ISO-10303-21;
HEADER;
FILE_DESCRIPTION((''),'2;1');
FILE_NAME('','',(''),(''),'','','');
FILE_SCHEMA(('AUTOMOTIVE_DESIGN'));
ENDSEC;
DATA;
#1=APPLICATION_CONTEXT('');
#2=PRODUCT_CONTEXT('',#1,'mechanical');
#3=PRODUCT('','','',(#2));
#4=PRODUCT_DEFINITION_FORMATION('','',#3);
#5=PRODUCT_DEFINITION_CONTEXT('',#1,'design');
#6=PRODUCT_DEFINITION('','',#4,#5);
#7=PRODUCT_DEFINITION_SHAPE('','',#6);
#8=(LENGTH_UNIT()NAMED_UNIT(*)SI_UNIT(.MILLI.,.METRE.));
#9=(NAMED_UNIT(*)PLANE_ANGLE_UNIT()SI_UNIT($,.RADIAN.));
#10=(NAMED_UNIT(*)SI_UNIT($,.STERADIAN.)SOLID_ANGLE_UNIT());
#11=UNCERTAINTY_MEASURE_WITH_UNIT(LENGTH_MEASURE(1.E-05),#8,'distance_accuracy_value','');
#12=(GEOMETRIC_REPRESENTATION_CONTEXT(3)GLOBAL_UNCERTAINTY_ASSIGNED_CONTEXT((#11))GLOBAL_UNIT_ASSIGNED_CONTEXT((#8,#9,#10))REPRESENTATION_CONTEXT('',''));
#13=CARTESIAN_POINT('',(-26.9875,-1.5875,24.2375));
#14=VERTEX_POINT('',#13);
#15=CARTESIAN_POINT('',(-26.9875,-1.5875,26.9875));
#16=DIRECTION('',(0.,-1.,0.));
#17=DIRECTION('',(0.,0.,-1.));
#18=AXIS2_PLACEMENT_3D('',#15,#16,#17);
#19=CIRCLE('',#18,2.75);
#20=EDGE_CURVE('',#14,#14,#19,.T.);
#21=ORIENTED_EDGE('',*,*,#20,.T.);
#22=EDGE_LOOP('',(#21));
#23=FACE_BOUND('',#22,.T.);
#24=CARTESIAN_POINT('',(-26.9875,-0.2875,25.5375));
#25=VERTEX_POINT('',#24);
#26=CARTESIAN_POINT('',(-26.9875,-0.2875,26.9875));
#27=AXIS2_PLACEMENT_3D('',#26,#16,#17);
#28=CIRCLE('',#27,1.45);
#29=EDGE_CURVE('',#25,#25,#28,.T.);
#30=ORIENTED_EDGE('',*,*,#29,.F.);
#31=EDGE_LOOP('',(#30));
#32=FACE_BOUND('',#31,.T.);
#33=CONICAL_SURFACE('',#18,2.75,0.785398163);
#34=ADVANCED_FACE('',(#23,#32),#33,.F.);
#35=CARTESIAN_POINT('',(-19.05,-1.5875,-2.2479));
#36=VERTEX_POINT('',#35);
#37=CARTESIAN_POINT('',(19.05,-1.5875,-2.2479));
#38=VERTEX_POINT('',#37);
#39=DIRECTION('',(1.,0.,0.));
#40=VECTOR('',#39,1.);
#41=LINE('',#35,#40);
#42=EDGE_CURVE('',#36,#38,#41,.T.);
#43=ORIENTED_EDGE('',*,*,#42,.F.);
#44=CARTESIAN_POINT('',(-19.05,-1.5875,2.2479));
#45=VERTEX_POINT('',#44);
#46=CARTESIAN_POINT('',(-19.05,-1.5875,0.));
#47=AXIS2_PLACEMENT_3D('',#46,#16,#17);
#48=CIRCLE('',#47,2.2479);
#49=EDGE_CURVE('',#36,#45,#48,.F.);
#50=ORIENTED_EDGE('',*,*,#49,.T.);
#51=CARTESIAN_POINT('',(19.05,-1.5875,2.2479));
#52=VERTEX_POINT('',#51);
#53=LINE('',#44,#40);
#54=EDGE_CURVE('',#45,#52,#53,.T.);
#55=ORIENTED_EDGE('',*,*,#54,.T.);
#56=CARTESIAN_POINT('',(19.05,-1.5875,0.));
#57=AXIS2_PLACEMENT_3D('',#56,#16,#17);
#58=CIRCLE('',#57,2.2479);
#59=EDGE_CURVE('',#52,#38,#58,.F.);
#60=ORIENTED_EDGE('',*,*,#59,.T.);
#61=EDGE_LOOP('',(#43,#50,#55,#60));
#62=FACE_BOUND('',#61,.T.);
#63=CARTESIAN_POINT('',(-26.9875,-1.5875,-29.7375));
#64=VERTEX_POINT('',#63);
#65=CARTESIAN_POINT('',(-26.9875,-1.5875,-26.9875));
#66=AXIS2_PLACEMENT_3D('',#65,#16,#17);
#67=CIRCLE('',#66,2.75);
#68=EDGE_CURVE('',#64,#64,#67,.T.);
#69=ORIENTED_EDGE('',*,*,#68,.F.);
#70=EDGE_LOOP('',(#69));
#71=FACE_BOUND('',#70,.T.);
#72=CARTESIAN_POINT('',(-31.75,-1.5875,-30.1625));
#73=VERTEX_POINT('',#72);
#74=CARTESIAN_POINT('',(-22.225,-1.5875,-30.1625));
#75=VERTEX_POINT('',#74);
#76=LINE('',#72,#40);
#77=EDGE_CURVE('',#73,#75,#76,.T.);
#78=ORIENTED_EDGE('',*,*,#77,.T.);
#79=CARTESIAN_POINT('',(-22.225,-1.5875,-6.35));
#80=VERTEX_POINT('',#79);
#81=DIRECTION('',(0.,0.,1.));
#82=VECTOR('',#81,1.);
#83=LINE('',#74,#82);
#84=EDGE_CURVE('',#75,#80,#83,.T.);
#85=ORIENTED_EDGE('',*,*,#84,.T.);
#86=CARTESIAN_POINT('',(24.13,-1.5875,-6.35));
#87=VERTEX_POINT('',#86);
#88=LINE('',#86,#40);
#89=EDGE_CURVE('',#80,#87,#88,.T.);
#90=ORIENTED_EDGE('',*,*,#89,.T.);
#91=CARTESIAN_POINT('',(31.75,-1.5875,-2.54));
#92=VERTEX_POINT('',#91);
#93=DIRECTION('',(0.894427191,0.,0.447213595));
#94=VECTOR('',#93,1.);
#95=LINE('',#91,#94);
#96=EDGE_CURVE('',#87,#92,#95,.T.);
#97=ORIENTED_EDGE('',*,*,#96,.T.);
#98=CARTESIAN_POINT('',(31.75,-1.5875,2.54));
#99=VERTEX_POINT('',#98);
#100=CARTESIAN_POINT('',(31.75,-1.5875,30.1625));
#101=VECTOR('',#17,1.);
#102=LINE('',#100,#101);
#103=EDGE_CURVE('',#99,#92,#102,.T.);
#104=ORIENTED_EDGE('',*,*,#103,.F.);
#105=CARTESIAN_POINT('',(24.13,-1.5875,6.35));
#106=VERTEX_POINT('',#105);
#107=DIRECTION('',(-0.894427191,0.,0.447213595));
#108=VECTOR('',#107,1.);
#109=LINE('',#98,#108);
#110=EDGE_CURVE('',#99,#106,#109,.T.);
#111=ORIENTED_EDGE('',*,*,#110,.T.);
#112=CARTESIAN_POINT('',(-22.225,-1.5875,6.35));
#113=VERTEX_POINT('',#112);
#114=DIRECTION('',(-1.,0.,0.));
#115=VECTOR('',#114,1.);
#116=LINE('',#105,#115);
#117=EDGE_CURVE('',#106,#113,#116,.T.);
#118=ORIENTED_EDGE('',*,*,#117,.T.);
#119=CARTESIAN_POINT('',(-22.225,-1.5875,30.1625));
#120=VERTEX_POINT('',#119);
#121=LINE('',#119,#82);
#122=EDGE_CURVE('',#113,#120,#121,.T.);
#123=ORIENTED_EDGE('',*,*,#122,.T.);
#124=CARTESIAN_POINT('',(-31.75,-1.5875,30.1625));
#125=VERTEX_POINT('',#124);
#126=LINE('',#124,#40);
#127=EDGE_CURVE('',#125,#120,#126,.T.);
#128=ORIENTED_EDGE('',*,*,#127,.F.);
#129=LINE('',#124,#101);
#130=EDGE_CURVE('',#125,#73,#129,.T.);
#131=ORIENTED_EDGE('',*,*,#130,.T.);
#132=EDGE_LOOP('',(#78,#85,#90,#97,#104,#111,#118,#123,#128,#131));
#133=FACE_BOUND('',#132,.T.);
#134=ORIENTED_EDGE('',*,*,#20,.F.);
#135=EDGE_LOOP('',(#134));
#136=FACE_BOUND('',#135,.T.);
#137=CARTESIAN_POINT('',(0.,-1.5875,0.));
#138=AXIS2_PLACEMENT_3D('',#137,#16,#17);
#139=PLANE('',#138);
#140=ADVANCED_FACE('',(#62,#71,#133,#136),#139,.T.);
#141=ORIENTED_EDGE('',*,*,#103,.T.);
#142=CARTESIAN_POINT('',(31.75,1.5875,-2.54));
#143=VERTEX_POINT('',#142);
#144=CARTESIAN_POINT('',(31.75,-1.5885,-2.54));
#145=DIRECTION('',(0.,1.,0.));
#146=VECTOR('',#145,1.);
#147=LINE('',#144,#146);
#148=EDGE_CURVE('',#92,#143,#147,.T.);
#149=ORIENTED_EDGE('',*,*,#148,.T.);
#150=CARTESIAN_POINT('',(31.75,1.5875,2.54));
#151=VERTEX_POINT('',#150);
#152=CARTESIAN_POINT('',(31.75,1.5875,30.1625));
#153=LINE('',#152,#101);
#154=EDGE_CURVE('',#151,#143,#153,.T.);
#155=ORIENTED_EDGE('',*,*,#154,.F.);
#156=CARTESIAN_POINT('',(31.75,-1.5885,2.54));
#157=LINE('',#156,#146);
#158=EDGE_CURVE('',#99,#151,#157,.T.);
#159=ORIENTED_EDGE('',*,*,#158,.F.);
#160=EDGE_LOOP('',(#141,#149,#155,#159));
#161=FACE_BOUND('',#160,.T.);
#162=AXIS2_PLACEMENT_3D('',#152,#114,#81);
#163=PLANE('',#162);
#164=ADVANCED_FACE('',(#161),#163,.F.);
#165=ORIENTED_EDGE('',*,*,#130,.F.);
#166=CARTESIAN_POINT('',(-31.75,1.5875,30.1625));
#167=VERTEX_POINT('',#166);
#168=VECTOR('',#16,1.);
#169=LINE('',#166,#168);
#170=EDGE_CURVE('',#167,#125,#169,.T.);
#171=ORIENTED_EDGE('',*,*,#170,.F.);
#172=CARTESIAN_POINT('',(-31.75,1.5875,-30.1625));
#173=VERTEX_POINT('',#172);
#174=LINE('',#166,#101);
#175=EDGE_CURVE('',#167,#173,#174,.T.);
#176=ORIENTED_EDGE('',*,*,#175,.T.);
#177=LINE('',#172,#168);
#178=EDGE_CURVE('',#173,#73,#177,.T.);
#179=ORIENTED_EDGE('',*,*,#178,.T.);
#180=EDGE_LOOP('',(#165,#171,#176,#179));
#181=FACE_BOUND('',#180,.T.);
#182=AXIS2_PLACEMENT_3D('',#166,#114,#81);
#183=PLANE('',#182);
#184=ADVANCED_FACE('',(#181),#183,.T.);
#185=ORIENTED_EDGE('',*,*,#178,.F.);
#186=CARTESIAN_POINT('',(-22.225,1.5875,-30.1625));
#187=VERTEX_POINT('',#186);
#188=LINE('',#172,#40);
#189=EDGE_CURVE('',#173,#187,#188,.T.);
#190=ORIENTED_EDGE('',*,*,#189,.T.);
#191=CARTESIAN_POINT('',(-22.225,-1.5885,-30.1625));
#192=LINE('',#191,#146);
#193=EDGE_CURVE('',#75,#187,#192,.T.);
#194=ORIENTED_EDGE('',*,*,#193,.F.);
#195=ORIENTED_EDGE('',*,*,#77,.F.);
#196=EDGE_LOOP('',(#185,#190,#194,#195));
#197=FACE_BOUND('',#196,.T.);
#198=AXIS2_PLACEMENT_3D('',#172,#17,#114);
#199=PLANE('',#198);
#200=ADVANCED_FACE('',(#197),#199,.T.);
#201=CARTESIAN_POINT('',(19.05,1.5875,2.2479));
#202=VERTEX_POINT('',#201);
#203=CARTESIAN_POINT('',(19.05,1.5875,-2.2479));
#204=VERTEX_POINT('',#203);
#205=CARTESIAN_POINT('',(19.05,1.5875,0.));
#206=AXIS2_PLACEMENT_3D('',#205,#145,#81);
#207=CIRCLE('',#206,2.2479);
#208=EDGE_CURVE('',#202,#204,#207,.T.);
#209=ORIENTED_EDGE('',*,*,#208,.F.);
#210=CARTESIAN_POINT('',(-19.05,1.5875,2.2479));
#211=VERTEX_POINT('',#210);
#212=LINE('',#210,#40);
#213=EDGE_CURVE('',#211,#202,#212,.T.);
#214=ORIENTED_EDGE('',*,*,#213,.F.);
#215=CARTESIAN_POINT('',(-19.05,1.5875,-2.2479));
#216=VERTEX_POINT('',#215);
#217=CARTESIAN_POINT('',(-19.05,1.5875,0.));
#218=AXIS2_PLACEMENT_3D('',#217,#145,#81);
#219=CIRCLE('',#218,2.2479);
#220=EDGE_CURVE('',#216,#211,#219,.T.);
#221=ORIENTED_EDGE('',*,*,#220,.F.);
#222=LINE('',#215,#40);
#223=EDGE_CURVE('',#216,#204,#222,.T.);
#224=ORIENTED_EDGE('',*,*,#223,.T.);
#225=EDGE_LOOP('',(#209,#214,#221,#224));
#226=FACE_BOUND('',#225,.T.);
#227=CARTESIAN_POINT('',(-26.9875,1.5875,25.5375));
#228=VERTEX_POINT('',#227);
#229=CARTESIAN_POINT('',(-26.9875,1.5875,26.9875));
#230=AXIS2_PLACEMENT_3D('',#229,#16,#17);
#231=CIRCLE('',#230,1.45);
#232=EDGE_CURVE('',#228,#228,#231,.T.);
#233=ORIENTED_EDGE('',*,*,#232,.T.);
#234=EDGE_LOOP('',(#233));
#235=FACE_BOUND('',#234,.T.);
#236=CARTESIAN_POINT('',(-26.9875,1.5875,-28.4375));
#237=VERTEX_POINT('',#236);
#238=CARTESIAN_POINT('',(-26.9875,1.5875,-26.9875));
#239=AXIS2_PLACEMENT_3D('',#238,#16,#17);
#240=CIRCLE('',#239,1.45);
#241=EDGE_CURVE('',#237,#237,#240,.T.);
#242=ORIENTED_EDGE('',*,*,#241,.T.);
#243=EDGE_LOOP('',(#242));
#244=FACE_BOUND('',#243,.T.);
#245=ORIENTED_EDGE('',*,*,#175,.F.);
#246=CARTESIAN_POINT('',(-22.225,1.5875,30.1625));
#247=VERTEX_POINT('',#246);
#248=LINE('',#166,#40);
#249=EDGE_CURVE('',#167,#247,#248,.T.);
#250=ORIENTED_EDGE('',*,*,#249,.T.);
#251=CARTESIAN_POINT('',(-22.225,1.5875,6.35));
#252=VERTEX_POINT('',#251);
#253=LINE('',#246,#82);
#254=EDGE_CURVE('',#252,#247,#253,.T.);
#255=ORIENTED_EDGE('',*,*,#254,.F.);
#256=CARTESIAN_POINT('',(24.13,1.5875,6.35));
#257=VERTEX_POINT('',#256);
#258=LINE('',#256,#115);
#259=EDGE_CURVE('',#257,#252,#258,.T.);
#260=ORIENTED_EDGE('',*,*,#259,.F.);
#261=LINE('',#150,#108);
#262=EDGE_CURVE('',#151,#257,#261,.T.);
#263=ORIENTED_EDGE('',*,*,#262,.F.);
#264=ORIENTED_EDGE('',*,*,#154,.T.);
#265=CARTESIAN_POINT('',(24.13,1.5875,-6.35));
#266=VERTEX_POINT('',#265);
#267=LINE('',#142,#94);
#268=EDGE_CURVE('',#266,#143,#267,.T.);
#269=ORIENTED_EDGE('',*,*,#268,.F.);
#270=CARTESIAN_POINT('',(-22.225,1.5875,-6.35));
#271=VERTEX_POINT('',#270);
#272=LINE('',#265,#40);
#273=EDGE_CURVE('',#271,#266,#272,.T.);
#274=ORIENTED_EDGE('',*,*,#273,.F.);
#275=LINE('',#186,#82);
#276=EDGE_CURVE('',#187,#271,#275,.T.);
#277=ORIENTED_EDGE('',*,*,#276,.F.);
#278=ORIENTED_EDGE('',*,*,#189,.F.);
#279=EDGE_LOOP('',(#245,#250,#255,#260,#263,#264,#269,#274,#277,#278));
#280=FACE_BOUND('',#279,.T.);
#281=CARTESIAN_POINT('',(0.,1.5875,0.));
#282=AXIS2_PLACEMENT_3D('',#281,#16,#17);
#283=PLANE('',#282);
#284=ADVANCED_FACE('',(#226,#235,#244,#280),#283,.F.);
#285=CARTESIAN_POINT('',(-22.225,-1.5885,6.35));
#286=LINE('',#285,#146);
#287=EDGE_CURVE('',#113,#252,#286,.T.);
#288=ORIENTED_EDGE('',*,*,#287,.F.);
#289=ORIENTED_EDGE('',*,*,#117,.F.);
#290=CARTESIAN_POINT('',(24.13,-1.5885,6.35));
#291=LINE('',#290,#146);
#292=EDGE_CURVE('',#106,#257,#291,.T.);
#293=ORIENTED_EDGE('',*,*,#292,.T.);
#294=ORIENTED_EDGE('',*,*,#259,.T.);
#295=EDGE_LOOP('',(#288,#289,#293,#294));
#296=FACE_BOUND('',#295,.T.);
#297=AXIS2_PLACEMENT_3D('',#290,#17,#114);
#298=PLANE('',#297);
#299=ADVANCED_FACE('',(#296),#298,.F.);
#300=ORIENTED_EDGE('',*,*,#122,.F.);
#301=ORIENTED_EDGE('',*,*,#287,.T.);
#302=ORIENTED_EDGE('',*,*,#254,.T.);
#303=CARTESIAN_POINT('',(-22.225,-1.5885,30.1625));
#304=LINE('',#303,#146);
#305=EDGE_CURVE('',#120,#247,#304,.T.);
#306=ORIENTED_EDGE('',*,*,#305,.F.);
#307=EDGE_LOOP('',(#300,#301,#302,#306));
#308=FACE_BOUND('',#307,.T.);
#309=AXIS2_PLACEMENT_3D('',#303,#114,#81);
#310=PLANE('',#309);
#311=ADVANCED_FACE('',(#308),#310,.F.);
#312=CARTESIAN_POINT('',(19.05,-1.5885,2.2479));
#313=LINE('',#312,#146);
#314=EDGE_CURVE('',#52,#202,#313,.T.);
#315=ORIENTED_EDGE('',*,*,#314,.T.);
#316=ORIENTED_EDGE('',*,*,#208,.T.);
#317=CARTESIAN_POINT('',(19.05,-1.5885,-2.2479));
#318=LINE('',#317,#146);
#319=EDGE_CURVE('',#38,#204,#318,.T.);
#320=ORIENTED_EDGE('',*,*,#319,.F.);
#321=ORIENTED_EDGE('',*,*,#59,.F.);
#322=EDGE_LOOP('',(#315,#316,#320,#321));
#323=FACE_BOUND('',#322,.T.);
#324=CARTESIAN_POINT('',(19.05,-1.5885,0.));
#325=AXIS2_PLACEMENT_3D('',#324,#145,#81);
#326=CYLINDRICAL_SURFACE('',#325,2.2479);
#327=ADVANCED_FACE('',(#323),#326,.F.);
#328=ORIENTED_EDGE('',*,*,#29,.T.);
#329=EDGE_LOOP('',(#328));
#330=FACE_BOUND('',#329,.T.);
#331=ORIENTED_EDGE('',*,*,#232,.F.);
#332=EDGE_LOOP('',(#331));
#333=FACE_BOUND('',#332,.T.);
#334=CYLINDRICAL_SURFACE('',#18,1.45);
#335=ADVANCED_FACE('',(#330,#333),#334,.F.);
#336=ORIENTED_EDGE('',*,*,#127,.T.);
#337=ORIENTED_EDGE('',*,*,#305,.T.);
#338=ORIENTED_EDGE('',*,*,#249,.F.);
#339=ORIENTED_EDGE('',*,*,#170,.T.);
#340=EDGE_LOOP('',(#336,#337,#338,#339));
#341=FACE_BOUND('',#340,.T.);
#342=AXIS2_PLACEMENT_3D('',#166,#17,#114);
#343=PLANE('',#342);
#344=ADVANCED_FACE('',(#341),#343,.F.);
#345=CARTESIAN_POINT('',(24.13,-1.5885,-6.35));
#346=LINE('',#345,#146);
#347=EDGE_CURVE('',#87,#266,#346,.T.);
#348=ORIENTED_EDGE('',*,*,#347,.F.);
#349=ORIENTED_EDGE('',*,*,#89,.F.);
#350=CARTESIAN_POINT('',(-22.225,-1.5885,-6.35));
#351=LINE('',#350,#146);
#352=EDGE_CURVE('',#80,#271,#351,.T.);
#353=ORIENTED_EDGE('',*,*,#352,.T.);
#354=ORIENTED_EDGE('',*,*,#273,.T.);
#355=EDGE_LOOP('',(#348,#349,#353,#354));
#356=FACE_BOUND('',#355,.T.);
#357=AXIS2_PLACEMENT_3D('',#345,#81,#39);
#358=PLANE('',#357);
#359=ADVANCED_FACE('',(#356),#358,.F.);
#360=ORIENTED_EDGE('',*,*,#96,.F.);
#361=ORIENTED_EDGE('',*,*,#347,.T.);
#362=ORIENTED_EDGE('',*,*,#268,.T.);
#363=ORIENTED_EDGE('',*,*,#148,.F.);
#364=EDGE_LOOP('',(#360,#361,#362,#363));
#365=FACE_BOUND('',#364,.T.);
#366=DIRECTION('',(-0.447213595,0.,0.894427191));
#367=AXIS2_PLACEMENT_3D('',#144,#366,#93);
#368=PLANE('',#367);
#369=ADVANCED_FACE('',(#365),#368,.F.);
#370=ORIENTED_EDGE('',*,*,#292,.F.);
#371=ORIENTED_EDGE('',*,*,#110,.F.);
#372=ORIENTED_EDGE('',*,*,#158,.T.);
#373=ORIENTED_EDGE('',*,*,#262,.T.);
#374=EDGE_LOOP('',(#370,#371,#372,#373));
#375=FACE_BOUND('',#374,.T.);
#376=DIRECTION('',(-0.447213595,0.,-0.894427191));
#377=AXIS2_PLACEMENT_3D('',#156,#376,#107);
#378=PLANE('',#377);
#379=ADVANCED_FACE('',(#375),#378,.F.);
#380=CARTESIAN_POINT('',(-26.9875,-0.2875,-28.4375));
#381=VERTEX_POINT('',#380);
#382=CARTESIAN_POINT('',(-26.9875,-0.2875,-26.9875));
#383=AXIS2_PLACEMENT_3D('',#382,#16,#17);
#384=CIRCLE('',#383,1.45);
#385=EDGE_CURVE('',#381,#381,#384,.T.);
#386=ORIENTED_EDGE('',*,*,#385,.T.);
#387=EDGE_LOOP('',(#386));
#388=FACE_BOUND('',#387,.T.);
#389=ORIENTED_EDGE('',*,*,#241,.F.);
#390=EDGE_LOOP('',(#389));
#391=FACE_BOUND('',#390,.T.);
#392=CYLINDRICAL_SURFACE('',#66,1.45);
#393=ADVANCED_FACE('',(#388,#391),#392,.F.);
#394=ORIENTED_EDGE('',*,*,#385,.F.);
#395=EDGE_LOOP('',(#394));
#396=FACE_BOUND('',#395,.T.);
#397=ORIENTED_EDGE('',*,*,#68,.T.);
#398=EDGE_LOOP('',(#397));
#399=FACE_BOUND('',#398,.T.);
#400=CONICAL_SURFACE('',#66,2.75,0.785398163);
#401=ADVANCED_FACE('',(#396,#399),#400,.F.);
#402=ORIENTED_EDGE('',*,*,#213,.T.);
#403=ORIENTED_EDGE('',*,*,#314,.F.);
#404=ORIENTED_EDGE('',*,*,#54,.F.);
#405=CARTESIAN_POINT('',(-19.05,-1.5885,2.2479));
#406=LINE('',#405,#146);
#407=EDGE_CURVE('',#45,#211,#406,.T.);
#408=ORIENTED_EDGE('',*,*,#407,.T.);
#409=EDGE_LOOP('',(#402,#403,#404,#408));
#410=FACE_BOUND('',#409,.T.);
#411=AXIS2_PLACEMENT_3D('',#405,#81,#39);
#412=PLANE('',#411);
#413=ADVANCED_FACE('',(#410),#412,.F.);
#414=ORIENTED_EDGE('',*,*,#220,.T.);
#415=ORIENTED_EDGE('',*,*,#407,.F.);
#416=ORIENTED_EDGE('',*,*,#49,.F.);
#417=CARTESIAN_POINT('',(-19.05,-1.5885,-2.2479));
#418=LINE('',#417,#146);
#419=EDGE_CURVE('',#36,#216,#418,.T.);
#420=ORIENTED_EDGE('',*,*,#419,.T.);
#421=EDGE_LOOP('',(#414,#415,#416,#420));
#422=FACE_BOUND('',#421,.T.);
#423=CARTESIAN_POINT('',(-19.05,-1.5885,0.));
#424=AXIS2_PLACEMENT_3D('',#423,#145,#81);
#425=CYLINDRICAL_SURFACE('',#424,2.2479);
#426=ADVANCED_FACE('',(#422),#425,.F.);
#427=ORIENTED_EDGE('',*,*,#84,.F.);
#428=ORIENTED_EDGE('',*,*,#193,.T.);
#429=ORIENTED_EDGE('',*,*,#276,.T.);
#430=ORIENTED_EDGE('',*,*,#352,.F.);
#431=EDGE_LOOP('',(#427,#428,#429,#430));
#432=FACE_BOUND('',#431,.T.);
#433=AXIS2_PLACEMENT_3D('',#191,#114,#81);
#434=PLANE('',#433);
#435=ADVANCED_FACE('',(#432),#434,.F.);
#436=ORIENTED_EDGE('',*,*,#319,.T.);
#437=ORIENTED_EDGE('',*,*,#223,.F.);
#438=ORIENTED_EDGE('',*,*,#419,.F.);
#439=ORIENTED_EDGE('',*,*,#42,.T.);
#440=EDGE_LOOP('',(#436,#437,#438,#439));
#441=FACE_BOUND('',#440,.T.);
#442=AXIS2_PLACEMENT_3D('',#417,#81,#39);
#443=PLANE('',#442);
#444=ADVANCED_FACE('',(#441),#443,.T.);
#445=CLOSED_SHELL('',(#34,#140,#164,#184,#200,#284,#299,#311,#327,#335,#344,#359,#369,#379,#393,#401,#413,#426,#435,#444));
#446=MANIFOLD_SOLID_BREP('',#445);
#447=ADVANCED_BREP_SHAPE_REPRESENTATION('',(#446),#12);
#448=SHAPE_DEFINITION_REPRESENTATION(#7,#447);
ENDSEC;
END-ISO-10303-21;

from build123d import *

# Parameters (mm, degrees)
SKETCH2_W                                         = 63.5
SKETCH2_H                                         = 60.325
BOSS_EXTRUDE1_DEPTH                               = 1.5875
CUT_EXTRUDE1_REACH                                = 45.908
CUT_EXTRUDE2_REACH                                = 45.908
CSK_FOR_M2_5_FLAT_HEAD_MACHINE_SCREW1_D           = 2.9
CSK_FOR_M2_5_FLAT_HEAD_MACHINE_SCREW1_CSINK_D     = 5.5
CSK_FOR_M2_5_FLAT_HEAD_MACHINE_SCREW1_CSINK_ANGLE = 90


with BuildPart() as part:
    # Sketch2 → Boss-Extrude1 (new, symmetric)
    with BuildSketch(Plane(origin=(0, 0, 0), x_dir=(1, 0, 0), z_dir=(0, 1, 0))):
        Rectangle(SKETCH2_W, SKETCH2_H)
    extrude(amount=BOSS_EXTRUDE1_DEPTH, both=True)

    # Sketch4 → Cut-Extrude1 (cut, up to next)
    with BuildSketch(Plane(origin=(0, 1.5875, 0), x_dir=(1, 0, 0), z_dir=(0, 1, 0)), mode=Mode.PRIVATE) as cut_extrude1_sk1:
        Polygon((-22.225, -30.1625), (31.75, -30.1625), (31.75, -2.54), (24.13, -6.35), (-22.225, -6.35), align=None)
    cut_extrude1_tool1 = extrude(cut_extrude1_sk1.sketch, amount=-CUT_EXTRUDE1_REACH, mode=Mode.PRIVATE) & part.part
    # Sketch4 → Cut-Extrude1 (cut, up to next)
    with BuildSketch(Plane(origin=(0, 1.5875, 0), x_dir=(1, 0, 0), z_dir=(0, 1, 0)), mode=Mode.PRIVATE) as cut_extrude1_sk2:
        Polygon((31.75, 2.54), (24.13, 6.35), (-22.225, 6.35), (-22.225, 30.1625), (31.75, 30.1625), align=None)
    cut_extrude1_tool2 = extrude(cut_extrude1_sk2.sketch, amount=-CUT_EXTRUDE1_REACH, mode=Mode.PRIVATE) & part.part
    add(cut_extrude1_tool1.solids().sort_by_distance((5.035529, 1.5875, 18.109098))[0], mode=Mode.SUBTRACT)
    add(cut_extrude1_tool2.solids().sort_by_distance((5.035529, 1.5875, -18.109098))[0], mode=Mode.SUBTRACT)

    # Sketch5 → Cut-Extrude2 (cut, up to next)
    with BuildSketch(Plane(origin=(0, 1.5875, 0), x_dir=(1, 0, 0), z_dir=(0, 1, 0)), mode=Mode.PRIVATE) as cut_extrude2_sk1:
        with BuildLine():
            Line((-19.05, 2.2479), (19.05, 2.2479))
            ThreePointArc((19.05, 2.2479), (21.2979, 0), (19.05, -2.2479))
            Line((19.05, -2.2479), (-19.05, -2.2479))
            ThreePointArc((-19.05, -2.2479), (-21.2979, 0), (-19.05, 2.2479))
        make_face()
    cut_extrude2_tool1 = extrude(cut_extrude2_sk1.sketch, amount=-CUT_EXTRUDE2_REACH, mode=Mode.PRIVATE) & part.part
    add(cut_extrude2_tool1.solids().sort_by_distance((0, 1.5875, 0))[0], mode=Mode.SUBTRACT)

    # CSK for M2.5 Flat Head Machine Screw1 (through all)
    with Locations(Plane.XZ.offset(1.5875)):
        with Locations((-26.9875, 26.9875)):
            csk_for_m2_5_flat_head_machine_screw1 = CounterSinkHole(CSK_FOR_M2_5_FLAT_HEAD_MACHINE_SCREW1_D / 2, CSK_FOR_M2_5_FLAT_HEAD_MACHINE_SCREW1_CSINK_D / 2, counter_sink_angle=CSK_FOR_M2_5_FLAT_HEAD_MACHINE_SCREW1_CSINK_ANGLE)

    # Mirror1: CSK for M2.5 Flat Head Machine Screw1 across plane
    add(csk_for_m2_5_flat_head_machine_screw1.mirror(Plane.XY), mode=Mode.SUBTRACT)


solid = part.part
